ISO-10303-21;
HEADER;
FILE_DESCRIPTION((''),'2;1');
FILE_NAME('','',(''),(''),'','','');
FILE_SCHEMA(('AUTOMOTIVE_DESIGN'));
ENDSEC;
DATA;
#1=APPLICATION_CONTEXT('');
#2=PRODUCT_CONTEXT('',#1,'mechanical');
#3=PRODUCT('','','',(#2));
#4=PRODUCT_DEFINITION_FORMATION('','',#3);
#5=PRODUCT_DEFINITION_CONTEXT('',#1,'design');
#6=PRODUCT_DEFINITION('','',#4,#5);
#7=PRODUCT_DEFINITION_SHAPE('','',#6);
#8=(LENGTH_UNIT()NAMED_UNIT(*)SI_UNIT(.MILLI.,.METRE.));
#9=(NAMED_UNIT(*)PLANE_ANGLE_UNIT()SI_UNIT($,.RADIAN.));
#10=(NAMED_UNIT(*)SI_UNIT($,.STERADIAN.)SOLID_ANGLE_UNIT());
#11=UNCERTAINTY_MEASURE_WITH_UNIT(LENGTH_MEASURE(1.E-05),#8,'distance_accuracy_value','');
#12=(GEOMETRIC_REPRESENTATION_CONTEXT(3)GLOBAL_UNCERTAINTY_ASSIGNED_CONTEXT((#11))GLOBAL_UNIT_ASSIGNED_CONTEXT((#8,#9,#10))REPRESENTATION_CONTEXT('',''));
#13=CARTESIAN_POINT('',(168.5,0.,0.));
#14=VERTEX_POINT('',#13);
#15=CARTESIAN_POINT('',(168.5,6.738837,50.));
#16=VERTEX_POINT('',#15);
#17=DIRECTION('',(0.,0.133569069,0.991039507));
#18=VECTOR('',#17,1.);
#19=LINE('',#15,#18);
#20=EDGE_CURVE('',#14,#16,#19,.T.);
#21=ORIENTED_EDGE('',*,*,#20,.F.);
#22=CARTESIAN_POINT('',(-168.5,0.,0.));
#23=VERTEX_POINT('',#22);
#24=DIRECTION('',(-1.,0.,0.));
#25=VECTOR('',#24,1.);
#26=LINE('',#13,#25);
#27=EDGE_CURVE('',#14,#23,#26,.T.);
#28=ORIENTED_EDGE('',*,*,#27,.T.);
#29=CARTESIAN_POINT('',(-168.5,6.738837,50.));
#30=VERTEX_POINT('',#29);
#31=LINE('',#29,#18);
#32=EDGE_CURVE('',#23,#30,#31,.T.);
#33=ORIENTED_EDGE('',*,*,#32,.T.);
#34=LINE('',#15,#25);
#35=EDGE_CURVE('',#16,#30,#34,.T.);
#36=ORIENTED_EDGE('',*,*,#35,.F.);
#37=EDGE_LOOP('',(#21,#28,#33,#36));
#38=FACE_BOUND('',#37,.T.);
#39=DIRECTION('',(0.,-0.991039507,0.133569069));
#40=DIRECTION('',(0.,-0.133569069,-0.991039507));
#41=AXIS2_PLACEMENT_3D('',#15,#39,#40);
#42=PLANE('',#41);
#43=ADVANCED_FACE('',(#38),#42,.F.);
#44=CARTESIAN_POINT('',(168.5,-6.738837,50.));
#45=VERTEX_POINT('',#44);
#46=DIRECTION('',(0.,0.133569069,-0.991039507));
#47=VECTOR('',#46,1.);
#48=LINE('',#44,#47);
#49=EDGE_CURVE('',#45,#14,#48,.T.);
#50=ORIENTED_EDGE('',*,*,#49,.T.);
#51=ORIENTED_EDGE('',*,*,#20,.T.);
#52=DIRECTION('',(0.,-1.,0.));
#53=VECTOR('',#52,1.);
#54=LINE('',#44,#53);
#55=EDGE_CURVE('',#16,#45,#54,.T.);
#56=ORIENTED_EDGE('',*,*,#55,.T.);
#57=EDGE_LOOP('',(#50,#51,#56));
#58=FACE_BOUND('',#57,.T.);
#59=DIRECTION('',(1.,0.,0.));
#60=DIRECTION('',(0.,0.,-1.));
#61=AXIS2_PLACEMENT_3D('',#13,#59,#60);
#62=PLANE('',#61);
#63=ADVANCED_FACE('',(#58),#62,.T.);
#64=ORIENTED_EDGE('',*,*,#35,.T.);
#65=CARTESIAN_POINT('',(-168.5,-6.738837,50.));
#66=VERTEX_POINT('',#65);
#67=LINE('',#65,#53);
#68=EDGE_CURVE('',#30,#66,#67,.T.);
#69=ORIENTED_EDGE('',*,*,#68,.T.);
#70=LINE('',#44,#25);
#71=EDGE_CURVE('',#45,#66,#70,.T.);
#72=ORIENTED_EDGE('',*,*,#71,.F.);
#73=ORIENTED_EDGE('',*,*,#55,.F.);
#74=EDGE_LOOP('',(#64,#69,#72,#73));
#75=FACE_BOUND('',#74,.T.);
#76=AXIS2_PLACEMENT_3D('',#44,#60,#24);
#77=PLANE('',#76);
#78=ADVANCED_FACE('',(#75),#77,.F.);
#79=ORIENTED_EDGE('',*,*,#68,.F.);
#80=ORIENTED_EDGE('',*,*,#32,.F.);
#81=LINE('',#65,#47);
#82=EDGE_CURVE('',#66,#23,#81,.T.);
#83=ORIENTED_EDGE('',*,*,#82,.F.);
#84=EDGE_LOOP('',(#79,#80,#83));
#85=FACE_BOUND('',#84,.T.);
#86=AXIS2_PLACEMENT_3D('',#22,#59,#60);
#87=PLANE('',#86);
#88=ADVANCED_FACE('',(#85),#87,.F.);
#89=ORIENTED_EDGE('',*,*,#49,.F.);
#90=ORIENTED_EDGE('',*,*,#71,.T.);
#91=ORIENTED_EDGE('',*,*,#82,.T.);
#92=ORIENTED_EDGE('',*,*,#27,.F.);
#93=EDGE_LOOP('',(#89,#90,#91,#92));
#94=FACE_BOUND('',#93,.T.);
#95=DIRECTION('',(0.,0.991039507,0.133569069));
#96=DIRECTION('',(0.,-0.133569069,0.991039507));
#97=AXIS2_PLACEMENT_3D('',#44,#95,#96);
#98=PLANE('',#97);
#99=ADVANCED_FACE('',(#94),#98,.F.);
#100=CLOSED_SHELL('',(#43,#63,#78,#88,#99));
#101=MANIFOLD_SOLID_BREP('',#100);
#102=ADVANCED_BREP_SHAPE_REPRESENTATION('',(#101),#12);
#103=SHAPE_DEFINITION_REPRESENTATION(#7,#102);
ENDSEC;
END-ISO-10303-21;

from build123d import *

# Parameters (mm, degrees)
BOSS_EXTRUDE1_DEPTH = 168.5


with BuildPart() as part:
    # aileron_root → Boss-Extrude1 (new, symmetric)
    with BuildSketch(Plane(origin=(0, 0, 0), x_dir=(0, 0, -1), z_dir=(1, 0, 0))):
        Polygon((-50, -6.738836743), (-50, 6.738836743), (0, 0), align=None)
    extrude(amount=BOSS_EXTRUDE1_DEPTH, both=True)


solid = part.part
